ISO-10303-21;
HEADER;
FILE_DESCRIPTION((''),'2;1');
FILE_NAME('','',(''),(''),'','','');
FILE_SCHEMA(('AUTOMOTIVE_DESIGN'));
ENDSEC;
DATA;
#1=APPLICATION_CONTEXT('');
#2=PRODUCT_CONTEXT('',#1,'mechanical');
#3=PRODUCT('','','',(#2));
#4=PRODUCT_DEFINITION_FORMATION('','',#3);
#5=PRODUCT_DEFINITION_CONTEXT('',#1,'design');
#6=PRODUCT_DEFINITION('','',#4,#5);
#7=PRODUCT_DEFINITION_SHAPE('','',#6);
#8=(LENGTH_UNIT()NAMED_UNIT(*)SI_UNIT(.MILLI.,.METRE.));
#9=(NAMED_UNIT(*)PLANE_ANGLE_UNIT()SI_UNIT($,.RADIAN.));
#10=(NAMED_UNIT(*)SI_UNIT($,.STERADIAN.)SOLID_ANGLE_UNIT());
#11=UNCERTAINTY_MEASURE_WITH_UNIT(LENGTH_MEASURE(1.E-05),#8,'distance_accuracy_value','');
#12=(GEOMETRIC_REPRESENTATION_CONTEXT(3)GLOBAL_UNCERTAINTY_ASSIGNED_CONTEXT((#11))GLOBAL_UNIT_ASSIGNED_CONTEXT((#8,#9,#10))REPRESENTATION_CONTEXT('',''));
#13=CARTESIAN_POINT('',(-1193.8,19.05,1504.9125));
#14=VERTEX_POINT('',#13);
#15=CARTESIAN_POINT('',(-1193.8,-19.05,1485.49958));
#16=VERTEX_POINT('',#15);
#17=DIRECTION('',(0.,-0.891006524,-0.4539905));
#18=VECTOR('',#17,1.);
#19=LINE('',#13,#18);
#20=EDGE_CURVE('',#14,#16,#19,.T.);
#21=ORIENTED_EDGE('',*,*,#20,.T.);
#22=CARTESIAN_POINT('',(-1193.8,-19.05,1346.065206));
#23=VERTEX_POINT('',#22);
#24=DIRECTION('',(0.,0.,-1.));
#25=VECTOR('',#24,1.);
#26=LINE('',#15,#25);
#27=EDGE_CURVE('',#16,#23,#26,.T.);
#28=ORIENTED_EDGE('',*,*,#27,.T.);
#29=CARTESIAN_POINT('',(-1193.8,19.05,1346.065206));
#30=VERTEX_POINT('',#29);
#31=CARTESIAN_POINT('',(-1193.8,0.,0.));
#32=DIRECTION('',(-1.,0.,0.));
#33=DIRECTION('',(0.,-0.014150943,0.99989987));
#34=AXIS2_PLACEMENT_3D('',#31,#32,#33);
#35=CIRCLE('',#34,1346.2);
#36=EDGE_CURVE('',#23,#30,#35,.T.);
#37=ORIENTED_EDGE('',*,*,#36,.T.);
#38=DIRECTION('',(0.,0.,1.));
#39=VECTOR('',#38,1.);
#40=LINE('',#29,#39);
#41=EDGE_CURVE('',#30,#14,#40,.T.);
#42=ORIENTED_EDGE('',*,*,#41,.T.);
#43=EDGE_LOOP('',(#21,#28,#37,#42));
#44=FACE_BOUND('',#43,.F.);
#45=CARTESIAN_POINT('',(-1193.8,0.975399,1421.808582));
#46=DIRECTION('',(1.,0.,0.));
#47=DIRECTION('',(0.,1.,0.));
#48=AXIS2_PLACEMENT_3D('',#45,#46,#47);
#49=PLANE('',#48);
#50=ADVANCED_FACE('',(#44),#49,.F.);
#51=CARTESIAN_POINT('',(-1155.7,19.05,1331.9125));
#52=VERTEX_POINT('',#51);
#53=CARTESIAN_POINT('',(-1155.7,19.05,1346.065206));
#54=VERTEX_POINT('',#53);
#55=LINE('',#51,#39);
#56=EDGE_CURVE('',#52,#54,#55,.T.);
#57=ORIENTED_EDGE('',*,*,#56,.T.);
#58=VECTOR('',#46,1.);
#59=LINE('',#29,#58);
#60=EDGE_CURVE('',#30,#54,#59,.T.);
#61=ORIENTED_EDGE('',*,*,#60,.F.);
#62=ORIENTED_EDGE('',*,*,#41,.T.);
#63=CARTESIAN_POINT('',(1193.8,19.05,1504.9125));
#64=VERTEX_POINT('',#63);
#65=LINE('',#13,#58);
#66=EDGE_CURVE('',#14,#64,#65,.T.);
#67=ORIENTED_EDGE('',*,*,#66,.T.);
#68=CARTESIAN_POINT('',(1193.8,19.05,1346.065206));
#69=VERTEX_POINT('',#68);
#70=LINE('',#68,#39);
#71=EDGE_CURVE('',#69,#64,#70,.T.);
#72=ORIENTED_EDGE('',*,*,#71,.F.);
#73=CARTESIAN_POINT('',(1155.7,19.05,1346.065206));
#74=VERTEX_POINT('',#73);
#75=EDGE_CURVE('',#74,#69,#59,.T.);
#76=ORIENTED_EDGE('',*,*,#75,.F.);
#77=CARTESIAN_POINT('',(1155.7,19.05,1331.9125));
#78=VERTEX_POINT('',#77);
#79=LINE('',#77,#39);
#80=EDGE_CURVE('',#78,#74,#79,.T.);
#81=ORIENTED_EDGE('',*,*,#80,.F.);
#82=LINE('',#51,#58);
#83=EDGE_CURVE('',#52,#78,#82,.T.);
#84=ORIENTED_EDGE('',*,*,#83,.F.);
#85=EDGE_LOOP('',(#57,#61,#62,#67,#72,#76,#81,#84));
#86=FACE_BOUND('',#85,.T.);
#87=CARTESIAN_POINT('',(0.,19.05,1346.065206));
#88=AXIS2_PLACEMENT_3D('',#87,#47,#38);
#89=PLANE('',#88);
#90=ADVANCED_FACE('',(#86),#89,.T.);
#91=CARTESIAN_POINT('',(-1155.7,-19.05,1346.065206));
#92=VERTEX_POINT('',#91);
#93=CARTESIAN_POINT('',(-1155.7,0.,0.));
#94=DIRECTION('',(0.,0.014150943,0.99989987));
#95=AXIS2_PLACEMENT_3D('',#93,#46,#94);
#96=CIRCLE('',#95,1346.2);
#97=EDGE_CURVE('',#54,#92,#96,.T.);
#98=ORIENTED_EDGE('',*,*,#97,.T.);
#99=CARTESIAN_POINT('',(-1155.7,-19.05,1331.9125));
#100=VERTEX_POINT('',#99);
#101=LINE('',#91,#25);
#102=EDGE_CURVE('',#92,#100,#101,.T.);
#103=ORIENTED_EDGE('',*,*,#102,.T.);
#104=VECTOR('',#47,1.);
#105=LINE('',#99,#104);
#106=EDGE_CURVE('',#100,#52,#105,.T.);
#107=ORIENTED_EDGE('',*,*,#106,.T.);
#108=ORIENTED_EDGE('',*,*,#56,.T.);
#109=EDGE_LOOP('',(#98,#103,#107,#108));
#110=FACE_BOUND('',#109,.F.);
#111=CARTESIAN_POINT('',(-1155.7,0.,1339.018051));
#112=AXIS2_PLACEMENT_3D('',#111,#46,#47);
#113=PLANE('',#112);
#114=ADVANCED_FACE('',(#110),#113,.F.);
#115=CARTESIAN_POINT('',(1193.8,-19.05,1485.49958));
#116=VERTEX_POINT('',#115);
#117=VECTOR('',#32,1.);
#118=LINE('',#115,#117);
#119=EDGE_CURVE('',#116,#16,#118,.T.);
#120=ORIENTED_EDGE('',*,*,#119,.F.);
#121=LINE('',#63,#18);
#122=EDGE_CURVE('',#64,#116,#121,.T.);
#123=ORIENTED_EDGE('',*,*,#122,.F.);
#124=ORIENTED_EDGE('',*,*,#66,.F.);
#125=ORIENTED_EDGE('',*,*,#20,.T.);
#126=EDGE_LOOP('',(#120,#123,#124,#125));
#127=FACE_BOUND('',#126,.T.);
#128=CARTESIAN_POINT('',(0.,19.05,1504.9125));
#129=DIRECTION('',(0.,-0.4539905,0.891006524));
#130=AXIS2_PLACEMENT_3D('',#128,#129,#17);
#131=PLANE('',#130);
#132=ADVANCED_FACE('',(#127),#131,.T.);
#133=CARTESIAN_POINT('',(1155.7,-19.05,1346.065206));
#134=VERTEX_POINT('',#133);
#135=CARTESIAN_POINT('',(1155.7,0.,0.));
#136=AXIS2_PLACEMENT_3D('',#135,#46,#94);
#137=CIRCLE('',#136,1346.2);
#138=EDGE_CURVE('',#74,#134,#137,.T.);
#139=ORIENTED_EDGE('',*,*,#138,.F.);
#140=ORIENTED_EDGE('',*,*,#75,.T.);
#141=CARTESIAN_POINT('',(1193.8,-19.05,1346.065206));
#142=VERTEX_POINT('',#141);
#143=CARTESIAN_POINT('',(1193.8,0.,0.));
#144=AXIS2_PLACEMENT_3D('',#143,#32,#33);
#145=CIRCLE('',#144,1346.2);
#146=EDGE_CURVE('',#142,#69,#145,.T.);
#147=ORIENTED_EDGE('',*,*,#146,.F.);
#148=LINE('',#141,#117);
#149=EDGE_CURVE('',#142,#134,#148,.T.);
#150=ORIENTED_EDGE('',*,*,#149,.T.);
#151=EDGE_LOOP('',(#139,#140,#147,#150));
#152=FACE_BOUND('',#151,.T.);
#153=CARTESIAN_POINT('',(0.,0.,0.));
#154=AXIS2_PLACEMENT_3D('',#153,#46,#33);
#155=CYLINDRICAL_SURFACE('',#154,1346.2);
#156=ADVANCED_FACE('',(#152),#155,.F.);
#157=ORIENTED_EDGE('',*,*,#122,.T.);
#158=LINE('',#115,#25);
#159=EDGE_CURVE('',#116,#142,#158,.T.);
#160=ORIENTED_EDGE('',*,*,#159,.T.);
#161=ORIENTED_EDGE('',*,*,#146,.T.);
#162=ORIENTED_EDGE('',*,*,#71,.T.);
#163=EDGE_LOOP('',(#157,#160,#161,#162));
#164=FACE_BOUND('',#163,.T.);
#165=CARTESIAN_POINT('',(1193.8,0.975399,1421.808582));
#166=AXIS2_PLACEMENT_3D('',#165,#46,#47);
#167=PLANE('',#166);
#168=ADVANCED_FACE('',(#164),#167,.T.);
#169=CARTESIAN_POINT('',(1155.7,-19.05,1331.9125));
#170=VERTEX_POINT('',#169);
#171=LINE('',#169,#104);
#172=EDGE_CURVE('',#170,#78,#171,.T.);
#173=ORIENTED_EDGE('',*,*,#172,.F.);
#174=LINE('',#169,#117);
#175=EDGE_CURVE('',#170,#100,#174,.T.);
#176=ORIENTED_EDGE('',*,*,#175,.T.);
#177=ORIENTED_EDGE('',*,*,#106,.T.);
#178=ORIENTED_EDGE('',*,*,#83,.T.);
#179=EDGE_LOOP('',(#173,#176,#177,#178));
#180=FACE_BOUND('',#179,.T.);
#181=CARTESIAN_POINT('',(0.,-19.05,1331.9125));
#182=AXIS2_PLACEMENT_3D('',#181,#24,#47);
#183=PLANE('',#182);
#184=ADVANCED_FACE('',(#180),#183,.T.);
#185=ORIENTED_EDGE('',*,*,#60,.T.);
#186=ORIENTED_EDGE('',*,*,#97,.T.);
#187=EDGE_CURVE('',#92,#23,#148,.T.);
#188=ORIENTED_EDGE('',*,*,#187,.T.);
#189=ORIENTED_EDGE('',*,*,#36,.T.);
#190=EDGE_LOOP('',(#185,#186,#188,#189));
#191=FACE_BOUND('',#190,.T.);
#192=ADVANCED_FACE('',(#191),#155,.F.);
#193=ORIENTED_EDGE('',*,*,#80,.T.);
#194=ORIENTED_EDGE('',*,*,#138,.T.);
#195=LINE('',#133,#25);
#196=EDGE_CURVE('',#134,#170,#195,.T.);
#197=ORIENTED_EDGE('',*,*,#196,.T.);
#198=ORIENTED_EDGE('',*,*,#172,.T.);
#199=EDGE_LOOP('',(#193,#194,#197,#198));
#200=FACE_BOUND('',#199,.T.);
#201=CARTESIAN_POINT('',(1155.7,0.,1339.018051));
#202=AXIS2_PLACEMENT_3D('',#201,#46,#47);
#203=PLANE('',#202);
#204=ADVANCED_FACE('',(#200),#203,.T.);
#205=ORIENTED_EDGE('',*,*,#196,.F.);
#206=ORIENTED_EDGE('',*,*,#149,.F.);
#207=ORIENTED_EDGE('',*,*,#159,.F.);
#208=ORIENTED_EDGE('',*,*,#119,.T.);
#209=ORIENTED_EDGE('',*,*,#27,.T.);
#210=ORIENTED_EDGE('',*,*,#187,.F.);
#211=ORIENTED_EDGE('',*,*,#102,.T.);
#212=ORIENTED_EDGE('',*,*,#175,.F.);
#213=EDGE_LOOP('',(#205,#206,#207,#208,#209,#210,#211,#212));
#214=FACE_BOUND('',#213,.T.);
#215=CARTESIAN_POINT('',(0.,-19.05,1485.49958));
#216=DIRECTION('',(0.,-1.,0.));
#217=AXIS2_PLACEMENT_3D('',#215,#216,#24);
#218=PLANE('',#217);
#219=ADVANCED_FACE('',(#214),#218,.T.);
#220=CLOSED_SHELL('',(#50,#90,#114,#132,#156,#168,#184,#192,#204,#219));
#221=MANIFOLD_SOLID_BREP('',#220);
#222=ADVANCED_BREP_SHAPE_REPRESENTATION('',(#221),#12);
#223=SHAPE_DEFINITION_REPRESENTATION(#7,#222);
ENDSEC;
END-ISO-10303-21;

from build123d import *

# Parameters (mm, degrees)
F1_DEPTH = 1193.8
F2_DEPTH = 1155.7


with BuildPart() as f1:
    # F0 (on Right) → F1 (new body, symmetric)
    with BuildSketch(Plane.YZ):
        with BuildLine():
            ThreePointArc((-19.05, 1346.0652055157), (0, 1346.2), (19.05, 1346.0652055157))
            Line((19.05, 1346.0652055157), (19.05, 1504.9125))
            Line((19.05, 1504.9125), (-19.05, 1485.4995803743))
            Line((-19.05, 1485.4995803743), (-19.05, 1346.0652055157))
        make_face()
    extrude(amount=F1_DEPTH, both=True)

    # F0 (on Right) → F2 (join, symmetric)
    with BuildSketch(Plane.YZ):
        with BuildLine():
            Line((-19.05, 1331.9125), (19.05, 1331.9125))
            Line((19.05, 1331.9125), (19.05, 1346.0652055157))
            ThreePointArc((19.05, 1346.0652055157), (0, 1346.2), (-19.05, 1346.0652055157))
            Line((-19.05, 1346.0652055157), (-19.05, 1331.9125))
        make_face()
    extrude(amount=F2_DEPTH, both=True)


solid = f1.part
